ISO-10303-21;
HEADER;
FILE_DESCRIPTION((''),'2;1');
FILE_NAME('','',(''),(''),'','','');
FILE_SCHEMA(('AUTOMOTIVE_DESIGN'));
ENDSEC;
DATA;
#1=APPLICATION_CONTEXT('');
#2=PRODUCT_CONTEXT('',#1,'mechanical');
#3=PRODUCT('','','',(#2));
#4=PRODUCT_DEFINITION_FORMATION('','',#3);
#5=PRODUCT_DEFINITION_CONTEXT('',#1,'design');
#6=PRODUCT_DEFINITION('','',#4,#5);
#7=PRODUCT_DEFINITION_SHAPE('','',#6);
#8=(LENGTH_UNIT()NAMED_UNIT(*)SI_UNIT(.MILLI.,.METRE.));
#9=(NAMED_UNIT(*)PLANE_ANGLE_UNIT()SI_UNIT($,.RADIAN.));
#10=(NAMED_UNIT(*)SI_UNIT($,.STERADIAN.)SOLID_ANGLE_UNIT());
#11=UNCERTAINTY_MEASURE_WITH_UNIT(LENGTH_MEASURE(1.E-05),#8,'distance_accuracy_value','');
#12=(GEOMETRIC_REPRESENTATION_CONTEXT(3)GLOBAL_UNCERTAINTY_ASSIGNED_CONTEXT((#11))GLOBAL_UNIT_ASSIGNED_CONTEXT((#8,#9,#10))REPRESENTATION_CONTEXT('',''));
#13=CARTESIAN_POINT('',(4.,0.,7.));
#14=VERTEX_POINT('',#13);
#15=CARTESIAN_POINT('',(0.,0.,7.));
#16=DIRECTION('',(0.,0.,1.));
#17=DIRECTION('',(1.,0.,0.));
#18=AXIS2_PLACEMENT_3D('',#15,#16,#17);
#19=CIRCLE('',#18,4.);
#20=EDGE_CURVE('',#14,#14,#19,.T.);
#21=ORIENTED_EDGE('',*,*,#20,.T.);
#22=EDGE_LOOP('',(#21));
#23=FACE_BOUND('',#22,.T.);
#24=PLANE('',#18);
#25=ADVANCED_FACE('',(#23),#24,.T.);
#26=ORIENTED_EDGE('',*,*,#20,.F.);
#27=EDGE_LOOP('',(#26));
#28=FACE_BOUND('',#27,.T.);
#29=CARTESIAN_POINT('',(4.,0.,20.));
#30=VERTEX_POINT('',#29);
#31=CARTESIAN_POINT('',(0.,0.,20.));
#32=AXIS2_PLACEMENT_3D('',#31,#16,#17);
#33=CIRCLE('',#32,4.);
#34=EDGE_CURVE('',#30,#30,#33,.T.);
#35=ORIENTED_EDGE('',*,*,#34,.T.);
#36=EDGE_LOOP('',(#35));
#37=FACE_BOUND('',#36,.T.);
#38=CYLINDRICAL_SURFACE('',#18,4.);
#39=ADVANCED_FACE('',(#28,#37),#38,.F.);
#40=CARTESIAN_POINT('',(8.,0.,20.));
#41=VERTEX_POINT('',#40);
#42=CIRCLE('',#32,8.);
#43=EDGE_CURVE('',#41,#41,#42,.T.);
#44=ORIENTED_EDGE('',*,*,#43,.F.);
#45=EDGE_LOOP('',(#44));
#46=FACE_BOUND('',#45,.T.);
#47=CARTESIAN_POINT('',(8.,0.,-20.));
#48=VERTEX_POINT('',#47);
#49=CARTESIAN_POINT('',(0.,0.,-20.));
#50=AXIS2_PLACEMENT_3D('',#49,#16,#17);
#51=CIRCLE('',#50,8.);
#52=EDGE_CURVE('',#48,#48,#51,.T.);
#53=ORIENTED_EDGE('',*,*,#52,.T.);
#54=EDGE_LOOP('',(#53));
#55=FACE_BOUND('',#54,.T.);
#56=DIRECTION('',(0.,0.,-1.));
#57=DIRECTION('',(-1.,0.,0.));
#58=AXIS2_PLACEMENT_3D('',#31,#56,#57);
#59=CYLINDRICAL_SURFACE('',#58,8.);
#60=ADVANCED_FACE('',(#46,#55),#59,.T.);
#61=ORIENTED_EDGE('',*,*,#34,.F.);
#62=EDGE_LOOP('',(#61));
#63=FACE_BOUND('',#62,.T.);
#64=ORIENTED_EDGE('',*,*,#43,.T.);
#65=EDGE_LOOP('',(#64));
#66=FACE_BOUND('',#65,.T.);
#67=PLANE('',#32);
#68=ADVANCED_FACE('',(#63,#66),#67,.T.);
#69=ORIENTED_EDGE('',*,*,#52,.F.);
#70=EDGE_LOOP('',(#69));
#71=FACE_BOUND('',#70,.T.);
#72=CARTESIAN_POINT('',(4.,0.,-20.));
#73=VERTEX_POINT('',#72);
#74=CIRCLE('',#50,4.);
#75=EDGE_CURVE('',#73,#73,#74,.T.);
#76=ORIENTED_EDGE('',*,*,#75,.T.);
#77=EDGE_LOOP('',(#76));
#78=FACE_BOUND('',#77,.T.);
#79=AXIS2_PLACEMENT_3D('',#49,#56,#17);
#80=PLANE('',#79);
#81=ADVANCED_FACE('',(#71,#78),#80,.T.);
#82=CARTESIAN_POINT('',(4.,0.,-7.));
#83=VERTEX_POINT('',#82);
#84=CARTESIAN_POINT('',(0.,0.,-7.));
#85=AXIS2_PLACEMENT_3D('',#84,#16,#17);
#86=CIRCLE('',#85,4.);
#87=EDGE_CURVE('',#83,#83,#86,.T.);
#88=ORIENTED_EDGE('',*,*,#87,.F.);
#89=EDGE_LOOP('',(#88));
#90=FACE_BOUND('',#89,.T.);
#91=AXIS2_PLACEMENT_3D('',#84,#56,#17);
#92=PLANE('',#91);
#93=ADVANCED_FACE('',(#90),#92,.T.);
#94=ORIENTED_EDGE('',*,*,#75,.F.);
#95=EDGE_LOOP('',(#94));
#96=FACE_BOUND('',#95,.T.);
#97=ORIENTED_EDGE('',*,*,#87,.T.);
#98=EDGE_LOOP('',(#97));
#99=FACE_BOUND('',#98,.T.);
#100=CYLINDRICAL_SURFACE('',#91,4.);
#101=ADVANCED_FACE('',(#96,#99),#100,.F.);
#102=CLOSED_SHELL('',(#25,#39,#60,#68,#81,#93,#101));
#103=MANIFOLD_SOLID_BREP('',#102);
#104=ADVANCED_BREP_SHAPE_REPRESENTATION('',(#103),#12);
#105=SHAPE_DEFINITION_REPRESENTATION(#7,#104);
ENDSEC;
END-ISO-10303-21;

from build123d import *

# Parameters (mm, degrees)
SKETCH_1_R          = 8
EXTRUDE_1_DEPTH     = 20
SKETCH_2_R          = 4
CUT_EXTRUDE_1_DEPTH = 13


with BuildPart() as part:
    # 草图1 → 凸台-拉伸1 (new body)
    with BuildSketch(Plane.XY):
        Circle(SKETCH_1_R)
    extrude(amount=EXTRUDE_1_DEPTH)

    # 草图2 → 切除-拉伸1 (cut)
    with BuildSketch(Plane.XY.offset(20)):
        Circle(SKETCH_2_R)
    extrude(amount=-CUT_EXTRUDE_1_DEPTH, mode=Mode.SUBTRACT)

    # 镜向1: part across plane


with BuildPart() as part_1:
    add(part.part)
    add(part.part.mirror(Plane.XY))


solid = part_1.part
